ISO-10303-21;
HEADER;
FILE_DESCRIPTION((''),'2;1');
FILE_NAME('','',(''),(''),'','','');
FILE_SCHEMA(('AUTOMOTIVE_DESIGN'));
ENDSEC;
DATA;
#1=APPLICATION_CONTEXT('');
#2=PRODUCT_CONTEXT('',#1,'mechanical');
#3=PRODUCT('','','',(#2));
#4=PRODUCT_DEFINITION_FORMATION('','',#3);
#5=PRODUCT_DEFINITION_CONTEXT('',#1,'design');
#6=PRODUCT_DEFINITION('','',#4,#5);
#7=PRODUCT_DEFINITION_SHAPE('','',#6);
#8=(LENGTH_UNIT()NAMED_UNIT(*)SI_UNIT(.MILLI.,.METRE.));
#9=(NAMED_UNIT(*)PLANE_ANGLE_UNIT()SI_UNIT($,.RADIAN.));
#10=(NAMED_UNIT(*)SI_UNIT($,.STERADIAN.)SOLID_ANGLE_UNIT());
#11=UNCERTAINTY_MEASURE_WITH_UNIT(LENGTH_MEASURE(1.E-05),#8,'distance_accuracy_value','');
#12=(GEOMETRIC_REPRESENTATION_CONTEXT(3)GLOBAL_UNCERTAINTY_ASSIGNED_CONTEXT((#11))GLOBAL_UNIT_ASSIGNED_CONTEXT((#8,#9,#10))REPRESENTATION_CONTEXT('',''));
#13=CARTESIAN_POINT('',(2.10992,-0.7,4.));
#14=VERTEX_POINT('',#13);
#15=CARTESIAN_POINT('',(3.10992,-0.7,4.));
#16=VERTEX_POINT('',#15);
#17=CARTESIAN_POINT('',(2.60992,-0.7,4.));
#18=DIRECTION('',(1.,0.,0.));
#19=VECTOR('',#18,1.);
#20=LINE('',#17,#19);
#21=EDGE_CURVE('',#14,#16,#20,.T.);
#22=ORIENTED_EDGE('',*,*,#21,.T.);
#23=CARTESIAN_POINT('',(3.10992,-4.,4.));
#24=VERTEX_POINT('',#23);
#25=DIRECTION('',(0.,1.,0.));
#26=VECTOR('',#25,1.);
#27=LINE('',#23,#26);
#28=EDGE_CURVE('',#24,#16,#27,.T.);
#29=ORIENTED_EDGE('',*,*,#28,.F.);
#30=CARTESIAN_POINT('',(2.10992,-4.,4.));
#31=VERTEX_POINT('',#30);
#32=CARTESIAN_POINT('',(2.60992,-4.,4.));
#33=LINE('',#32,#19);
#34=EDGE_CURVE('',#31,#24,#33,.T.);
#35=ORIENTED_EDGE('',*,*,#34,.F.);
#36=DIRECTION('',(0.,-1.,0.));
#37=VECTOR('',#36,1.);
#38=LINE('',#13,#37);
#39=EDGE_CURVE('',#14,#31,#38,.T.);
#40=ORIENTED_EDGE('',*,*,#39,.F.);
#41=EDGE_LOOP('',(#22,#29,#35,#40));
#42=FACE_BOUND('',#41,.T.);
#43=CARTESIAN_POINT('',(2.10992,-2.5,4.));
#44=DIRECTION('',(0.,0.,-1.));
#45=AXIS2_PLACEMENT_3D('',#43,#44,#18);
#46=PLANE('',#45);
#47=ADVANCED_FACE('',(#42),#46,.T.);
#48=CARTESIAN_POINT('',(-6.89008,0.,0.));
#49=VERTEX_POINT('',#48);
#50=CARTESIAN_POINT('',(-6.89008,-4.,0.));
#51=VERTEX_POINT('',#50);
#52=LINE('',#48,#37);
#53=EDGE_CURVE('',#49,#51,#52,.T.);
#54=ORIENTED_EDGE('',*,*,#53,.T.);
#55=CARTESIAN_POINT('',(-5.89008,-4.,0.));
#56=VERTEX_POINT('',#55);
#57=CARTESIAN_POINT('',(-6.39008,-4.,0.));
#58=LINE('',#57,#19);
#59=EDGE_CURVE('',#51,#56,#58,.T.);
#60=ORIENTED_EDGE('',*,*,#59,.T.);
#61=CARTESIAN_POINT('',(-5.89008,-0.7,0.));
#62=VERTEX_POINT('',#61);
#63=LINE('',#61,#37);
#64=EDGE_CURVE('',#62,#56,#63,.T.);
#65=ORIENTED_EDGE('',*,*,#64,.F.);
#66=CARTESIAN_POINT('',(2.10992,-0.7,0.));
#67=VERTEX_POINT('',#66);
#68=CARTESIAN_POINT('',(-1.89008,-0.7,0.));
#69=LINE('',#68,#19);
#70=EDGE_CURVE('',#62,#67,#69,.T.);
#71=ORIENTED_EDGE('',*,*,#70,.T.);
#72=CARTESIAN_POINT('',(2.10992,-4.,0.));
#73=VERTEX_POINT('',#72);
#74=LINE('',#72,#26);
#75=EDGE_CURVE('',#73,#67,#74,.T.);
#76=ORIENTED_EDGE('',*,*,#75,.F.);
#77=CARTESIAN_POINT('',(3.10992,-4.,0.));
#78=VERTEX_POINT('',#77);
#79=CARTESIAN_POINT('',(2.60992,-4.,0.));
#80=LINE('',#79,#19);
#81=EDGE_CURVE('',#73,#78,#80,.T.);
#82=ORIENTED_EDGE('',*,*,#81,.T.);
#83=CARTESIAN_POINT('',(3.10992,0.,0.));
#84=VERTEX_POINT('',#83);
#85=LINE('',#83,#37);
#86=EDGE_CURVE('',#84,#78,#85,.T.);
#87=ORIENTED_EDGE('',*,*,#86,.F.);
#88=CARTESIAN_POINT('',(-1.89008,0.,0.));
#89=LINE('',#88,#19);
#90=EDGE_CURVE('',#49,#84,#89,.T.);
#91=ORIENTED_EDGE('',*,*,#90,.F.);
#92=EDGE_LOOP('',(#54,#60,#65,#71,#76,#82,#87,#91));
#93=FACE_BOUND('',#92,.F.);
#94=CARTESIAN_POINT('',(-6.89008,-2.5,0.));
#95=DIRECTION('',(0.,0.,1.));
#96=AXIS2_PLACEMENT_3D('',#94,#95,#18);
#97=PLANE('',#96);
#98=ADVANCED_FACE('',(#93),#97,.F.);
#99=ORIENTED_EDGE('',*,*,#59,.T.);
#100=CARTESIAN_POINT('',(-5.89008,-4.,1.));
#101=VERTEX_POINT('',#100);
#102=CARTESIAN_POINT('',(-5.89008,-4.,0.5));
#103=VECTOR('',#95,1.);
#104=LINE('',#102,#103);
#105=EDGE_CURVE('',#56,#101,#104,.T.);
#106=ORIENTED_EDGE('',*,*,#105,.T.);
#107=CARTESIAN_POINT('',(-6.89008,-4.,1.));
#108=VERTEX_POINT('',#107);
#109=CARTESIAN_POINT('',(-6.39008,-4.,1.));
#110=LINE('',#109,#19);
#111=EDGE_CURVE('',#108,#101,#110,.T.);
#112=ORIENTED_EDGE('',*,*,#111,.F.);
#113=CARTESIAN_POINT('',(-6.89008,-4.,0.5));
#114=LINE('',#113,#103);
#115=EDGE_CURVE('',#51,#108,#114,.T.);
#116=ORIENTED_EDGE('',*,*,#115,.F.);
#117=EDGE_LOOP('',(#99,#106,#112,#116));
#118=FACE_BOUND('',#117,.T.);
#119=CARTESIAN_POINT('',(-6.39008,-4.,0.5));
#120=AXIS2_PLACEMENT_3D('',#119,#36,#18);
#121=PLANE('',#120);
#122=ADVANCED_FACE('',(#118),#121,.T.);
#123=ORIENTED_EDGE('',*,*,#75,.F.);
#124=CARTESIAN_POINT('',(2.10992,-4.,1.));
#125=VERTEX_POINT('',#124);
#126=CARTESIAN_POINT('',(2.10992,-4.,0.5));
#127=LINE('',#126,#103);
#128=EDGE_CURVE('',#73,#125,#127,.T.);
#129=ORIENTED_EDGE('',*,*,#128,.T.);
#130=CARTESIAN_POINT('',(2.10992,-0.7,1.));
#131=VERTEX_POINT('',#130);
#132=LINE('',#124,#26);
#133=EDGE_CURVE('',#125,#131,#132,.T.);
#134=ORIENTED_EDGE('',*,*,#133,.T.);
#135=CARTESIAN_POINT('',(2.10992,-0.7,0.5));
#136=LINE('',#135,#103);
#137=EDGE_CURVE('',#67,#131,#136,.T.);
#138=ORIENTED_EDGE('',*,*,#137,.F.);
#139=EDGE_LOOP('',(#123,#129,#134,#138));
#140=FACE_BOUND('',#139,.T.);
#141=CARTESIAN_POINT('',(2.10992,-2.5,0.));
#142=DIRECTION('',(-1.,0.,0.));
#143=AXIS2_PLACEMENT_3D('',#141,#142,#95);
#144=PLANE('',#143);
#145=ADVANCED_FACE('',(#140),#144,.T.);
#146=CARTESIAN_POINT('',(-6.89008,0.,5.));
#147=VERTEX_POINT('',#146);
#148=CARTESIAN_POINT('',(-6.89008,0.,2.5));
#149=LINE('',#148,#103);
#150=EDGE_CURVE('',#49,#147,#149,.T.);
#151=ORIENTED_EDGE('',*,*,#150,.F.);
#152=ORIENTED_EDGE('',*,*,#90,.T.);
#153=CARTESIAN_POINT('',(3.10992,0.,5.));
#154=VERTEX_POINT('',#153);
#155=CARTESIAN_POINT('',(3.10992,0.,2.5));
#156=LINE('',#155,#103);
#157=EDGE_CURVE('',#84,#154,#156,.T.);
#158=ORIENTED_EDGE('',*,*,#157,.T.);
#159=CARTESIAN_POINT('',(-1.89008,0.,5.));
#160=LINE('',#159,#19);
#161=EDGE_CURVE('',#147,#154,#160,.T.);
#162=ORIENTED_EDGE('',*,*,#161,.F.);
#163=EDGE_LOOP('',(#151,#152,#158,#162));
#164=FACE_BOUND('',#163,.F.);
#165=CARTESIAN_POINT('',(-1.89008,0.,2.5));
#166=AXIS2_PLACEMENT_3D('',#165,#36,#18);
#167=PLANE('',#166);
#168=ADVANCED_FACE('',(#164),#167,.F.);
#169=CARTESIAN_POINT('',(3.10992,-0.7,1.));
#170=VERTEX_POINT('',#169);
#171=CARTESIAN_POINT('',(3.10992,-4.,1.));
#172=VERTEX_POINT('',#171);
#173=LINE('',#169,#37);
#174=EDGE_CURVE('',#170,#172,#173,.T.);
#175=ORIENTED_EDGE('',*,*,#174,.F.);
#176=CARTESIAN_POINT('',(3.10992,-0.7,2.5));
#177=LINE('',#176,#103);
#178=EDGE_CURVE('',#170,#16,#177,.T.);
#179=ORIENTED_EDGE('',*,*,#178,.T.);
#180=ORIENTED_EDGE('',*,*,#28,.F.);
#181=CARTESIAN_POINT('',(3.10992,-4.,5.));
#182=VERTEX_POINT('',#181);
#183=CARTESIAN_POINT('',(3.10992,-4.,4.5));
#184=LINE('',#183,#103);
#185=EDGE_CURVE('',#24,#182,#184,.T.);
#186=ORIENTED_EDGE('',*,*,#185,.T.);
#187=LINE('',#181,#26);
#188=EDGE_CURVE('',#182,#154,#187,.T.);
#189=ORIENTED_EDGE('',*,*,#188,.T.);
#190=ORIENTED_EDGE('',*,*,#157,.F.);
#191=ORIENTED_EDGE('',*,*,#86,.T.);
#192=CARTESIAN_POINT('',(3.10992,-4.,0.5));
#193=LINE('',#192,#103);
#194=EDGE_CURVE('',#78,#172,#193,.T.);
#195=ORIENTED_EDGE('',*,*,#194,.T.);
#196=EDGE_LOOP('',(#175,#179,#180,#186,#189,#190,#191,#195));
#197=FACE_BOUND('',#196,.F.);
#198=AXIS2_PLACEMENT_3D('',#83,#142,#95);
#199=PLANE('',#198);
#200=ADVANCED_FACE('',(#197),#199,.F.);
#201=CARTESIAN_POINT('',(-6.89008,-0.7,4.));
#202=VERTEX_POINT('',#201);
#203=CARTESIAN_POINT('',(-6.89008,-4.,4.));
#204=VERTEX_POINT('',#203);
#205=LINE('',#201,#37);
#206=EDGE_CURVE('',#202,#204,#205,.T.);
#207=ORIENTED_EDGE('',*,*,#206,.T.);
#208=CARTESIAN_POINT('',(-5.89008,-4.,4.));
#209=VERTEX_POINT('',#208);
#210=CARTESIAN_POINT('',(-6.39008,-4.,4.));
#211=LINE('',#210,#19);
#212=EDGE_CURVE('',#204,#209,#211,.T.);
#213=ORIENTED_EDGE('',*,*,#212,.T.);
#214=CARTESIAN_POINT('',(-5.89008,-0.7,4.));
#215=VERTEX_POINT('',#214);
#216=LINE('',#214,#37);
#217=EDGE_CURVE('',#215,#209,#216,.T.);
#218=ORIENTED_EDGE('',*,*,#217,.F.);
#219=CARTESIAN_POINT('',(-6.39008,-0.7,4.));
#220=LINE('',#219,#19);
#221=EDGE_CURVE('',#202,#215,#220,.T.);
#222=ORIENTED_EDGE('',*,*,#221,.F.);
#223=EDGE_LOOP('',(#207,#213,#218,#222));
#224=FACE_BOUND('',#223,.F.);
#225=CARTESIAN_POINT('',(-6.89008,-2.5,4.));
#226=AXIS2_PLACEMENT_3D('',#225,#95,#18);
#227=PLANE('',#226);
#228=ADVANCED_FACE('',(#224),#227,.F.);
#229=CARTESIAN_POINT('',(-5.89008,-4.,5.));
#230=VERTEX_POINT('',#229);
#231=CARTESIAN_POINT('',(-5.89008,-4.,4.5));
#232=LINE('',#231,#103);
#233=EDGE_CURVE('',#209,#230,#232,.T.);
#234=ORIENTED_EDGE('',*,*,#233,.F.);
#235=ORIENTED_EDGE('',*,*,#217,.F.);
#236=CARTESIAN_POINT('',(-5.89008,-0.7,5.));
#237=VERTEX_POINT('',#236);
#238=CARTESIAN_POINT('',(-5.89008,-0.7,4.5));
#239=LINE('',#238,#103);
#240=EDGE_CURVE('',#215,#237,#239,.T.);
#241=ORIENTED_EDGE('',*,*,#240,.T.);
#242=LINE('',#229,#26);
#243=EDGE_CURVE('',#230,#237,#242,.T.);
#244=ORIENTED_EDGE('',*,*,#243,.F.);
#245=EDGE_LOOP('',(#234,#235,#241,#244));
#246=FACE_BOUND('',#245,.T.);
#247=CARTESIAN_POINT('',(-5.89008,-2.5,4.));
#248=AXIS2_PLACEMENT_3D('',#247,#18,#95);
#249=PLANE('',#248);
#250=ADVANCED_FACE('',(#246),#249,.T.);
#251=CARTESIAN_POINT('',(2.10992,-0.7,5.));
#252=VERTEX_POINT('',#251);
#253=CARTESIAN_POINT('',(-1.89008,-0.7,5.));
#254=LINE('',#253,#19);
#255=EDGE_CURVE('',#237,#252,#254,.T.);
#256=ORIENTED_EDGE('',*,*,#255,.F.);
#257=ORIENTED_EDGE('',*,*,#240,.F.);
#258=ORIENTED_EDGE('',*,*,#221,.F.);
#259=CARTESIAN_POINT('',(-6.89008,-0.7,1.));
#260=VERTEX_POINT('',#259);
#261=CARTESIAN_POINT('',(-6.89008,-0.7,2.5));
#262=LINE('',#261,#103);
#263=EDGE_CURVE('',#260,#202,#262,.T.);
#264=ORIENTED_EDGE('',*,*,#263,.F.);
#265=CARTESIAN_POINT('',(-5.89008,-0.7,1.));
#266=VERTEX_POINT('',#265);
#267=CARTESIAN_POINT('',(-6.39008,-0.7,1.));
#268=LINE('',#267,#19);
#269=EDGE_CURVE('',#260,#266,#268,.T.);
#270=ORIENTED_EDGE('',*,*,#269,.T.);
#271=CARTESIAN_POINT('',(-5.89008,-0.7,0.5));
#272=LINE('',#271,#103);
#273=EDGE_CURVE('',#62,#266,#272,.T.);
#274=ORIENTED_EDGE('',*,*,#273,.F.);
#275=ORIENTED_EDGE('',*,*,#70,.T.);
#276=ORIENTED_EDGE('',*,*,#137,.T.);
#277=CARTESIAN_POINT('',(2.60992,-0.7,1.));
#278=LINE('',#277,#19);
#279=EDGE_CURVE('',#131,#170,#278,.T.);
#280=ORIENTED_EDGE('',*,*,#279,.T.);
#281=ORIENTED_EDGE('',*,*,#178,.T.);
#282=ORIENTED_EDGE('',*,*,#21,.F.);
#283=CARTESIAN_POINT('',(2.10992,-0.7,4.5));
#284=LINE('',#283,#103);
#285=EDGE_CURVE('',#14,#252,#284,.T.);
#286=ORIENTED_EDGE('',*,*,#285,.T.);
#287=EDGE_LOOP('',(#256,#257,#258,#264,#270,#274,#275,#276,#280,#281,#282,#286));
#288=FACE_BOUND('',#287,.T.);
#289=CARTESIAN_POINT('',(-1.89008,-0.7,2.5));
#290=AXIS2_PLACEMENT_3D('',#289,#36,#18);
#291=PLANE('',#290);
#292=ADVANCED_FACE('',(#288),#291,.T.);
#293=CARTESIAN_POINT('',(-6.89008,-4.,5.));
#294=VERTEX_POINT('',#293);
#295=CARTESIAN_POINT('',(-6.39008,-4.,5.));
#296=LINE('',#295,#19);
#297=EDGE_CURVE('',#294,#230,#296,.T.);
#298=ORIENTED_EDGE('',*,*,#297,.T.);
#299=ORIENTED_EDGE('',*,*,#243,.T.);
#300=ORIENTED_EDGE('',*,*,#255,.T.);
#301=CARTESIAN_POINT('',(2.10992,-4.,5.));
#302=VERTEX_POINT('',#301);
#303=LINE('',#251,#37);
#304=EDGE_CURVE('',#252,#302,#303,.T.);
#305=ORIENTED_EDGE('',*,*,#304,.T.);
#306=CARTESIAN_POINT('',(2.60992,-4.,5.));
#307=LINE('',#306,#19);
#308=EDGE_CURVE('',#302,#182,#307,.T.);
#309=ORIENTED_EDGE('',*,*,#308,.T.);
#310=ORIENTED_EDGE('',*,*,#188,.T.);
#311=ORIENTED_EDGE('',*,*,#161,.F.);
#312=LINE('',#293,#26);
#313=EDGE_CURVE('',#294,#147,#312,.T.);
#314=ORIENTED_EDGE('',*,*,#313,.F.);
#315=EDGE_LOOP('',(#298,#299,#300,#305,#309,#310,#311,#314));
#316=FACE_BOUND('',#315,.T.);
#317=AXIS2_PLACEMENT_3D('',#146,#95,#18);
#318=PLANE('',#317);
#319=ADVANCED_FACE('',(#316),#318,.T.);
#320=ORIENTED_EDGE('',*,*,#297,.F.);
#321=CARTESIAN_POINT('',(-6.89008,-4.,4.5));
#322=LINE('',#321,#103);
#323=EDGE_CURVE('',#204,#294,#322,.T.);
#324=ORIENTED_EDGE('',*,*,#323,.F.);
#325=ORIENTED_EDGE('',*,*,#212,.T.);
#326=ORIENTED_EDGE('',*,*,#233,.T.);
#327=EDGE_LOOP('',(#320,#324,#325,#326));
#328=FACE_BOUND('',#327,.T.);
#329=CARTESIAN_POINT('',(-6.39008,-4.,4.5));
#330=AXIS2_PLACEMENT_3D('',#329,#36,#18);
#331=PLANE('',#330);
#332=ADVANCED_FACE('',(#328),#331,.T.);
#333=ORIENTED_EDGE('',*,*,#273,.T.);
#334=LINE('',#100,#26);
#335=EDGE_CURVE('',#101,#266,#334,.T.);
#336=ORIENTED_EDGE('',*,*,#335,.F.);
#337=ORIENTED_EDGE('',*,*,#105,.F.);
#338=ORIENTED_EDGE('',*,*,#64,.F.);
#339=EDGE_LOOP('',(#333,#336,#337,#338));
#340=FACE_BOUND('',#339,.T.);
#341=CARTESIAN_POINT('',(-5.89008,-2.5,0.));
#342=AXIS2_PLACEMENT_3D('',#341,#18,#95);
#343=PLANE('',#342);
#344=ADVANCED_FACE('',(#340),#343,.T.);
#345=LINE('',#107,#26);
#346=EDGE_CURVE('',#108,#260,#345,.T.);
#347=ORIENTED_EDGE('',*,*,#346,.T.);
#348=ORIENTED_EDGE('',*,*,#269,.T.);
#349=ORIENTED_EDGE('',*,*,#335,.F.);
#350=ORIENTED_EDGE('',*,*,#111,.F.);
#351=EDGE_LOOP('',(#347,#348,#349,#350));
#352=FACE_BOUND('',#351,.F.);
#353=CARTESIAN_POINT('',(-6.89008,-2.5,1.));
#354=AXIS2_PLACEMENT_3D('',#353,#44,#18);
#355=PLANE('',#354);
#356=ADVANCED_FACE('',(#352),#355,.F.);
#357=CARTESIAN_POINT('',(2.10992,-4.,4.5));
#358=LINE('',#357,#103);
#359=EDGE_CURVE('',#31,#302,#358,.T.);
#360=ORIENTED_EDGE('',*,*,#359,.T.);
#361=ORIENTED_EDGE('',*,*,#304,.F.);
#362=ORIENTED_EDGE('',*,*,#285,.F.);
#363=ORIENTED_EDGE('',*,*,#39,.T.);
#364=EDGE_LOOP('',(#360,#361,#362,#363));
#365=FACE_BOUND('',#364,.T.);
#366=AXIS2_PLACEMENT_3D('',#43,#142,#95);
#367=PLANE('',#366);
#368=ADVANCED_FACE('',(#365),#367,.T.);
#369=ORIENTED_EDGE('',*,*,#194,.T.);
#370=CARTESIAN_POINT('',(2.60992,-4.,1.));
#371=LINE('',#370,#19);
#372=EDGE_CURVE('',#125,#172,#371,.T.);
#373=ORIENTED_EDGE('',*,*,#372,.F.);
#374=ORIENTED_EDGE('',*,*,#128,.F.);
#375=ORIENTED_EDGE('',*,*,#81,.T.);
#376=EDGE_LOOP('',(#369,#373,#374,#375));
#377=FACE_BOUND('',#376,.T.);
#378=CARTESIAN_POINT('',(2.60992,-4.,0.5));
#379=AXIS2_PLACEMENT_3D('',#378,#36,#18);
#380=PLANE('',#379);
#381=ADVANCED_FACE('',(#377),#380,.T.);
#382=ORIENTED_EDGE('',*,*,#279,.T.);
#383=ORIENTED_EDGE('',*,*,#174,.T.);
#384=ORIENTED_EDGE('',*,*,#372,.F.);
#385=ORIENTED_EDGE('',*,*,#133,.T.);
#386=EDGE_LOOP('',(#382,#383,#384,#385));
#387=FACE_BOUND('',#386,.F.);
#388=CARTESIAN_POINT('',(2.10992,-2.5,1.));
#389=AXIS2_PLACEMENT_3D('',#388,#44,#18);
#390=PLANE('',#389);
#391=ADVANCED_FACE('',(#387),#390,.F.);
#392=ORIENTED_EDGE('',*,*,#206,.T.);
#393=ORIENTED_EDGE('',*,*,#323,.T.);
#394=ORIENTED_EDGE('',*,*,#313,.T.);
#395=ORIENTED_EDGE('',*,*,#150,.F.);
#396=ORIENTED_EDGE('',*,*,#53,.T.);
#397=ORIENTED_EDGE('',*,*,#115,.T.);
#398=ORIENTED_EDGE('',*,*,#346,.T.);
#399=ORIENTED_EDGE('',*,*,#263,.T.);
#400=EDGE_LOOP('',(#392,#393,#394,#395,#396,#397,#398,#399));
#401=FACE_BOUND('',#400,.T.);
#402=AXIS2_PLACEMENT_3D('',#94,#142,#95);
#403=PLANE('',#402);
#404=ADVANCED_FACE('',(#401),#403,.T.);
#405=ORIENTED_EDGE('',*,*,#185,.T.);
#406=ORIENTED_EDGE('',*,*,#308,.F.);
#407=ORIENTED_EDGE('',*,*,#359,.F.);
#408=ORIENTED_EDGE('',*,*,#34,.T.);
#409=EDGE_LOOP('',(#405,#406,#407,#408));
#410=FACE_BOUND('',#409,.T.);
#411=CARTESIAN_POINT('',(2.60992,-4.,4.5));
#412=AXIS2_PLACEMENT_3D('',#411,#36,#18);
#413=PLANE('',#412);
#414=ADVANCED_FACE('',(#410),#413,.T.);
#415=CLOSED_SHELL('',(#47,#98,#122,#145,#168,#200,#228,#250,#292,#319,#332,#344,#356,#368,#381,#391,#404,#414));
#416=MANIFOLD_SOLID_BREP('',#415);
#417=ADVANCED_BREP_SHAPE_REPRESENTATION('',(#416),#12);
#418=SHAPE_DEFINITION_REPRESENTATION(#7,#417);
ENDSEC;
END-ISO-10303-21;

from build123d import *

# Parameters (mm, degrees)
F0_W     = 100
F0_H     = 50
F1_DEPTH = 25
F2_W     = 10
F2_H     = 10
F3_DEPTH = 15
F4_DEPTH = 18
F5_SCALE = 0.1


with BuildPart() as f1:
    # F0 (on Front) → F1 (new body)
    with BuildSketch(Plane.XZ):
        with Locations((-18.9008015549, 25)):
            Rectangle(F0_W, F0_H)
    extrude(amount=F1_DEPTH)

    # F2 (on face) → F3 (join)
    with BuildSketch(Plane.XZ.offset(25)):
        with Locations((-63.9008015549, 5)):
            Rectangle(F2_W, F2_H)
        with Locations((-63.9008015549, 45)):
            Rectangle(F2_W, F2_H)
        with Locations((26.0991984451, 45)):
            Rectangle(F2_W, F2_H)
        with Locations((26.0991984451, 5)):
            Rectangle(F2_W, F2_H)
    extrude(amount=F3_DEPTH)

    # F4 (cut): a face of the model
    f4_faces = [f1.faces().sort_by_distance(p)[0] for p in [
        (-18.9008015549, -25, 25),
    ]]
    extrude(f4_faces, amount=-F4_DEPTH, mode=Mode.SUBTRACT)


with BuildPart() as f1_1:
    # F5: moved
    add(f1.part.scale(F5_SCALE))


solid = f1_1.part
